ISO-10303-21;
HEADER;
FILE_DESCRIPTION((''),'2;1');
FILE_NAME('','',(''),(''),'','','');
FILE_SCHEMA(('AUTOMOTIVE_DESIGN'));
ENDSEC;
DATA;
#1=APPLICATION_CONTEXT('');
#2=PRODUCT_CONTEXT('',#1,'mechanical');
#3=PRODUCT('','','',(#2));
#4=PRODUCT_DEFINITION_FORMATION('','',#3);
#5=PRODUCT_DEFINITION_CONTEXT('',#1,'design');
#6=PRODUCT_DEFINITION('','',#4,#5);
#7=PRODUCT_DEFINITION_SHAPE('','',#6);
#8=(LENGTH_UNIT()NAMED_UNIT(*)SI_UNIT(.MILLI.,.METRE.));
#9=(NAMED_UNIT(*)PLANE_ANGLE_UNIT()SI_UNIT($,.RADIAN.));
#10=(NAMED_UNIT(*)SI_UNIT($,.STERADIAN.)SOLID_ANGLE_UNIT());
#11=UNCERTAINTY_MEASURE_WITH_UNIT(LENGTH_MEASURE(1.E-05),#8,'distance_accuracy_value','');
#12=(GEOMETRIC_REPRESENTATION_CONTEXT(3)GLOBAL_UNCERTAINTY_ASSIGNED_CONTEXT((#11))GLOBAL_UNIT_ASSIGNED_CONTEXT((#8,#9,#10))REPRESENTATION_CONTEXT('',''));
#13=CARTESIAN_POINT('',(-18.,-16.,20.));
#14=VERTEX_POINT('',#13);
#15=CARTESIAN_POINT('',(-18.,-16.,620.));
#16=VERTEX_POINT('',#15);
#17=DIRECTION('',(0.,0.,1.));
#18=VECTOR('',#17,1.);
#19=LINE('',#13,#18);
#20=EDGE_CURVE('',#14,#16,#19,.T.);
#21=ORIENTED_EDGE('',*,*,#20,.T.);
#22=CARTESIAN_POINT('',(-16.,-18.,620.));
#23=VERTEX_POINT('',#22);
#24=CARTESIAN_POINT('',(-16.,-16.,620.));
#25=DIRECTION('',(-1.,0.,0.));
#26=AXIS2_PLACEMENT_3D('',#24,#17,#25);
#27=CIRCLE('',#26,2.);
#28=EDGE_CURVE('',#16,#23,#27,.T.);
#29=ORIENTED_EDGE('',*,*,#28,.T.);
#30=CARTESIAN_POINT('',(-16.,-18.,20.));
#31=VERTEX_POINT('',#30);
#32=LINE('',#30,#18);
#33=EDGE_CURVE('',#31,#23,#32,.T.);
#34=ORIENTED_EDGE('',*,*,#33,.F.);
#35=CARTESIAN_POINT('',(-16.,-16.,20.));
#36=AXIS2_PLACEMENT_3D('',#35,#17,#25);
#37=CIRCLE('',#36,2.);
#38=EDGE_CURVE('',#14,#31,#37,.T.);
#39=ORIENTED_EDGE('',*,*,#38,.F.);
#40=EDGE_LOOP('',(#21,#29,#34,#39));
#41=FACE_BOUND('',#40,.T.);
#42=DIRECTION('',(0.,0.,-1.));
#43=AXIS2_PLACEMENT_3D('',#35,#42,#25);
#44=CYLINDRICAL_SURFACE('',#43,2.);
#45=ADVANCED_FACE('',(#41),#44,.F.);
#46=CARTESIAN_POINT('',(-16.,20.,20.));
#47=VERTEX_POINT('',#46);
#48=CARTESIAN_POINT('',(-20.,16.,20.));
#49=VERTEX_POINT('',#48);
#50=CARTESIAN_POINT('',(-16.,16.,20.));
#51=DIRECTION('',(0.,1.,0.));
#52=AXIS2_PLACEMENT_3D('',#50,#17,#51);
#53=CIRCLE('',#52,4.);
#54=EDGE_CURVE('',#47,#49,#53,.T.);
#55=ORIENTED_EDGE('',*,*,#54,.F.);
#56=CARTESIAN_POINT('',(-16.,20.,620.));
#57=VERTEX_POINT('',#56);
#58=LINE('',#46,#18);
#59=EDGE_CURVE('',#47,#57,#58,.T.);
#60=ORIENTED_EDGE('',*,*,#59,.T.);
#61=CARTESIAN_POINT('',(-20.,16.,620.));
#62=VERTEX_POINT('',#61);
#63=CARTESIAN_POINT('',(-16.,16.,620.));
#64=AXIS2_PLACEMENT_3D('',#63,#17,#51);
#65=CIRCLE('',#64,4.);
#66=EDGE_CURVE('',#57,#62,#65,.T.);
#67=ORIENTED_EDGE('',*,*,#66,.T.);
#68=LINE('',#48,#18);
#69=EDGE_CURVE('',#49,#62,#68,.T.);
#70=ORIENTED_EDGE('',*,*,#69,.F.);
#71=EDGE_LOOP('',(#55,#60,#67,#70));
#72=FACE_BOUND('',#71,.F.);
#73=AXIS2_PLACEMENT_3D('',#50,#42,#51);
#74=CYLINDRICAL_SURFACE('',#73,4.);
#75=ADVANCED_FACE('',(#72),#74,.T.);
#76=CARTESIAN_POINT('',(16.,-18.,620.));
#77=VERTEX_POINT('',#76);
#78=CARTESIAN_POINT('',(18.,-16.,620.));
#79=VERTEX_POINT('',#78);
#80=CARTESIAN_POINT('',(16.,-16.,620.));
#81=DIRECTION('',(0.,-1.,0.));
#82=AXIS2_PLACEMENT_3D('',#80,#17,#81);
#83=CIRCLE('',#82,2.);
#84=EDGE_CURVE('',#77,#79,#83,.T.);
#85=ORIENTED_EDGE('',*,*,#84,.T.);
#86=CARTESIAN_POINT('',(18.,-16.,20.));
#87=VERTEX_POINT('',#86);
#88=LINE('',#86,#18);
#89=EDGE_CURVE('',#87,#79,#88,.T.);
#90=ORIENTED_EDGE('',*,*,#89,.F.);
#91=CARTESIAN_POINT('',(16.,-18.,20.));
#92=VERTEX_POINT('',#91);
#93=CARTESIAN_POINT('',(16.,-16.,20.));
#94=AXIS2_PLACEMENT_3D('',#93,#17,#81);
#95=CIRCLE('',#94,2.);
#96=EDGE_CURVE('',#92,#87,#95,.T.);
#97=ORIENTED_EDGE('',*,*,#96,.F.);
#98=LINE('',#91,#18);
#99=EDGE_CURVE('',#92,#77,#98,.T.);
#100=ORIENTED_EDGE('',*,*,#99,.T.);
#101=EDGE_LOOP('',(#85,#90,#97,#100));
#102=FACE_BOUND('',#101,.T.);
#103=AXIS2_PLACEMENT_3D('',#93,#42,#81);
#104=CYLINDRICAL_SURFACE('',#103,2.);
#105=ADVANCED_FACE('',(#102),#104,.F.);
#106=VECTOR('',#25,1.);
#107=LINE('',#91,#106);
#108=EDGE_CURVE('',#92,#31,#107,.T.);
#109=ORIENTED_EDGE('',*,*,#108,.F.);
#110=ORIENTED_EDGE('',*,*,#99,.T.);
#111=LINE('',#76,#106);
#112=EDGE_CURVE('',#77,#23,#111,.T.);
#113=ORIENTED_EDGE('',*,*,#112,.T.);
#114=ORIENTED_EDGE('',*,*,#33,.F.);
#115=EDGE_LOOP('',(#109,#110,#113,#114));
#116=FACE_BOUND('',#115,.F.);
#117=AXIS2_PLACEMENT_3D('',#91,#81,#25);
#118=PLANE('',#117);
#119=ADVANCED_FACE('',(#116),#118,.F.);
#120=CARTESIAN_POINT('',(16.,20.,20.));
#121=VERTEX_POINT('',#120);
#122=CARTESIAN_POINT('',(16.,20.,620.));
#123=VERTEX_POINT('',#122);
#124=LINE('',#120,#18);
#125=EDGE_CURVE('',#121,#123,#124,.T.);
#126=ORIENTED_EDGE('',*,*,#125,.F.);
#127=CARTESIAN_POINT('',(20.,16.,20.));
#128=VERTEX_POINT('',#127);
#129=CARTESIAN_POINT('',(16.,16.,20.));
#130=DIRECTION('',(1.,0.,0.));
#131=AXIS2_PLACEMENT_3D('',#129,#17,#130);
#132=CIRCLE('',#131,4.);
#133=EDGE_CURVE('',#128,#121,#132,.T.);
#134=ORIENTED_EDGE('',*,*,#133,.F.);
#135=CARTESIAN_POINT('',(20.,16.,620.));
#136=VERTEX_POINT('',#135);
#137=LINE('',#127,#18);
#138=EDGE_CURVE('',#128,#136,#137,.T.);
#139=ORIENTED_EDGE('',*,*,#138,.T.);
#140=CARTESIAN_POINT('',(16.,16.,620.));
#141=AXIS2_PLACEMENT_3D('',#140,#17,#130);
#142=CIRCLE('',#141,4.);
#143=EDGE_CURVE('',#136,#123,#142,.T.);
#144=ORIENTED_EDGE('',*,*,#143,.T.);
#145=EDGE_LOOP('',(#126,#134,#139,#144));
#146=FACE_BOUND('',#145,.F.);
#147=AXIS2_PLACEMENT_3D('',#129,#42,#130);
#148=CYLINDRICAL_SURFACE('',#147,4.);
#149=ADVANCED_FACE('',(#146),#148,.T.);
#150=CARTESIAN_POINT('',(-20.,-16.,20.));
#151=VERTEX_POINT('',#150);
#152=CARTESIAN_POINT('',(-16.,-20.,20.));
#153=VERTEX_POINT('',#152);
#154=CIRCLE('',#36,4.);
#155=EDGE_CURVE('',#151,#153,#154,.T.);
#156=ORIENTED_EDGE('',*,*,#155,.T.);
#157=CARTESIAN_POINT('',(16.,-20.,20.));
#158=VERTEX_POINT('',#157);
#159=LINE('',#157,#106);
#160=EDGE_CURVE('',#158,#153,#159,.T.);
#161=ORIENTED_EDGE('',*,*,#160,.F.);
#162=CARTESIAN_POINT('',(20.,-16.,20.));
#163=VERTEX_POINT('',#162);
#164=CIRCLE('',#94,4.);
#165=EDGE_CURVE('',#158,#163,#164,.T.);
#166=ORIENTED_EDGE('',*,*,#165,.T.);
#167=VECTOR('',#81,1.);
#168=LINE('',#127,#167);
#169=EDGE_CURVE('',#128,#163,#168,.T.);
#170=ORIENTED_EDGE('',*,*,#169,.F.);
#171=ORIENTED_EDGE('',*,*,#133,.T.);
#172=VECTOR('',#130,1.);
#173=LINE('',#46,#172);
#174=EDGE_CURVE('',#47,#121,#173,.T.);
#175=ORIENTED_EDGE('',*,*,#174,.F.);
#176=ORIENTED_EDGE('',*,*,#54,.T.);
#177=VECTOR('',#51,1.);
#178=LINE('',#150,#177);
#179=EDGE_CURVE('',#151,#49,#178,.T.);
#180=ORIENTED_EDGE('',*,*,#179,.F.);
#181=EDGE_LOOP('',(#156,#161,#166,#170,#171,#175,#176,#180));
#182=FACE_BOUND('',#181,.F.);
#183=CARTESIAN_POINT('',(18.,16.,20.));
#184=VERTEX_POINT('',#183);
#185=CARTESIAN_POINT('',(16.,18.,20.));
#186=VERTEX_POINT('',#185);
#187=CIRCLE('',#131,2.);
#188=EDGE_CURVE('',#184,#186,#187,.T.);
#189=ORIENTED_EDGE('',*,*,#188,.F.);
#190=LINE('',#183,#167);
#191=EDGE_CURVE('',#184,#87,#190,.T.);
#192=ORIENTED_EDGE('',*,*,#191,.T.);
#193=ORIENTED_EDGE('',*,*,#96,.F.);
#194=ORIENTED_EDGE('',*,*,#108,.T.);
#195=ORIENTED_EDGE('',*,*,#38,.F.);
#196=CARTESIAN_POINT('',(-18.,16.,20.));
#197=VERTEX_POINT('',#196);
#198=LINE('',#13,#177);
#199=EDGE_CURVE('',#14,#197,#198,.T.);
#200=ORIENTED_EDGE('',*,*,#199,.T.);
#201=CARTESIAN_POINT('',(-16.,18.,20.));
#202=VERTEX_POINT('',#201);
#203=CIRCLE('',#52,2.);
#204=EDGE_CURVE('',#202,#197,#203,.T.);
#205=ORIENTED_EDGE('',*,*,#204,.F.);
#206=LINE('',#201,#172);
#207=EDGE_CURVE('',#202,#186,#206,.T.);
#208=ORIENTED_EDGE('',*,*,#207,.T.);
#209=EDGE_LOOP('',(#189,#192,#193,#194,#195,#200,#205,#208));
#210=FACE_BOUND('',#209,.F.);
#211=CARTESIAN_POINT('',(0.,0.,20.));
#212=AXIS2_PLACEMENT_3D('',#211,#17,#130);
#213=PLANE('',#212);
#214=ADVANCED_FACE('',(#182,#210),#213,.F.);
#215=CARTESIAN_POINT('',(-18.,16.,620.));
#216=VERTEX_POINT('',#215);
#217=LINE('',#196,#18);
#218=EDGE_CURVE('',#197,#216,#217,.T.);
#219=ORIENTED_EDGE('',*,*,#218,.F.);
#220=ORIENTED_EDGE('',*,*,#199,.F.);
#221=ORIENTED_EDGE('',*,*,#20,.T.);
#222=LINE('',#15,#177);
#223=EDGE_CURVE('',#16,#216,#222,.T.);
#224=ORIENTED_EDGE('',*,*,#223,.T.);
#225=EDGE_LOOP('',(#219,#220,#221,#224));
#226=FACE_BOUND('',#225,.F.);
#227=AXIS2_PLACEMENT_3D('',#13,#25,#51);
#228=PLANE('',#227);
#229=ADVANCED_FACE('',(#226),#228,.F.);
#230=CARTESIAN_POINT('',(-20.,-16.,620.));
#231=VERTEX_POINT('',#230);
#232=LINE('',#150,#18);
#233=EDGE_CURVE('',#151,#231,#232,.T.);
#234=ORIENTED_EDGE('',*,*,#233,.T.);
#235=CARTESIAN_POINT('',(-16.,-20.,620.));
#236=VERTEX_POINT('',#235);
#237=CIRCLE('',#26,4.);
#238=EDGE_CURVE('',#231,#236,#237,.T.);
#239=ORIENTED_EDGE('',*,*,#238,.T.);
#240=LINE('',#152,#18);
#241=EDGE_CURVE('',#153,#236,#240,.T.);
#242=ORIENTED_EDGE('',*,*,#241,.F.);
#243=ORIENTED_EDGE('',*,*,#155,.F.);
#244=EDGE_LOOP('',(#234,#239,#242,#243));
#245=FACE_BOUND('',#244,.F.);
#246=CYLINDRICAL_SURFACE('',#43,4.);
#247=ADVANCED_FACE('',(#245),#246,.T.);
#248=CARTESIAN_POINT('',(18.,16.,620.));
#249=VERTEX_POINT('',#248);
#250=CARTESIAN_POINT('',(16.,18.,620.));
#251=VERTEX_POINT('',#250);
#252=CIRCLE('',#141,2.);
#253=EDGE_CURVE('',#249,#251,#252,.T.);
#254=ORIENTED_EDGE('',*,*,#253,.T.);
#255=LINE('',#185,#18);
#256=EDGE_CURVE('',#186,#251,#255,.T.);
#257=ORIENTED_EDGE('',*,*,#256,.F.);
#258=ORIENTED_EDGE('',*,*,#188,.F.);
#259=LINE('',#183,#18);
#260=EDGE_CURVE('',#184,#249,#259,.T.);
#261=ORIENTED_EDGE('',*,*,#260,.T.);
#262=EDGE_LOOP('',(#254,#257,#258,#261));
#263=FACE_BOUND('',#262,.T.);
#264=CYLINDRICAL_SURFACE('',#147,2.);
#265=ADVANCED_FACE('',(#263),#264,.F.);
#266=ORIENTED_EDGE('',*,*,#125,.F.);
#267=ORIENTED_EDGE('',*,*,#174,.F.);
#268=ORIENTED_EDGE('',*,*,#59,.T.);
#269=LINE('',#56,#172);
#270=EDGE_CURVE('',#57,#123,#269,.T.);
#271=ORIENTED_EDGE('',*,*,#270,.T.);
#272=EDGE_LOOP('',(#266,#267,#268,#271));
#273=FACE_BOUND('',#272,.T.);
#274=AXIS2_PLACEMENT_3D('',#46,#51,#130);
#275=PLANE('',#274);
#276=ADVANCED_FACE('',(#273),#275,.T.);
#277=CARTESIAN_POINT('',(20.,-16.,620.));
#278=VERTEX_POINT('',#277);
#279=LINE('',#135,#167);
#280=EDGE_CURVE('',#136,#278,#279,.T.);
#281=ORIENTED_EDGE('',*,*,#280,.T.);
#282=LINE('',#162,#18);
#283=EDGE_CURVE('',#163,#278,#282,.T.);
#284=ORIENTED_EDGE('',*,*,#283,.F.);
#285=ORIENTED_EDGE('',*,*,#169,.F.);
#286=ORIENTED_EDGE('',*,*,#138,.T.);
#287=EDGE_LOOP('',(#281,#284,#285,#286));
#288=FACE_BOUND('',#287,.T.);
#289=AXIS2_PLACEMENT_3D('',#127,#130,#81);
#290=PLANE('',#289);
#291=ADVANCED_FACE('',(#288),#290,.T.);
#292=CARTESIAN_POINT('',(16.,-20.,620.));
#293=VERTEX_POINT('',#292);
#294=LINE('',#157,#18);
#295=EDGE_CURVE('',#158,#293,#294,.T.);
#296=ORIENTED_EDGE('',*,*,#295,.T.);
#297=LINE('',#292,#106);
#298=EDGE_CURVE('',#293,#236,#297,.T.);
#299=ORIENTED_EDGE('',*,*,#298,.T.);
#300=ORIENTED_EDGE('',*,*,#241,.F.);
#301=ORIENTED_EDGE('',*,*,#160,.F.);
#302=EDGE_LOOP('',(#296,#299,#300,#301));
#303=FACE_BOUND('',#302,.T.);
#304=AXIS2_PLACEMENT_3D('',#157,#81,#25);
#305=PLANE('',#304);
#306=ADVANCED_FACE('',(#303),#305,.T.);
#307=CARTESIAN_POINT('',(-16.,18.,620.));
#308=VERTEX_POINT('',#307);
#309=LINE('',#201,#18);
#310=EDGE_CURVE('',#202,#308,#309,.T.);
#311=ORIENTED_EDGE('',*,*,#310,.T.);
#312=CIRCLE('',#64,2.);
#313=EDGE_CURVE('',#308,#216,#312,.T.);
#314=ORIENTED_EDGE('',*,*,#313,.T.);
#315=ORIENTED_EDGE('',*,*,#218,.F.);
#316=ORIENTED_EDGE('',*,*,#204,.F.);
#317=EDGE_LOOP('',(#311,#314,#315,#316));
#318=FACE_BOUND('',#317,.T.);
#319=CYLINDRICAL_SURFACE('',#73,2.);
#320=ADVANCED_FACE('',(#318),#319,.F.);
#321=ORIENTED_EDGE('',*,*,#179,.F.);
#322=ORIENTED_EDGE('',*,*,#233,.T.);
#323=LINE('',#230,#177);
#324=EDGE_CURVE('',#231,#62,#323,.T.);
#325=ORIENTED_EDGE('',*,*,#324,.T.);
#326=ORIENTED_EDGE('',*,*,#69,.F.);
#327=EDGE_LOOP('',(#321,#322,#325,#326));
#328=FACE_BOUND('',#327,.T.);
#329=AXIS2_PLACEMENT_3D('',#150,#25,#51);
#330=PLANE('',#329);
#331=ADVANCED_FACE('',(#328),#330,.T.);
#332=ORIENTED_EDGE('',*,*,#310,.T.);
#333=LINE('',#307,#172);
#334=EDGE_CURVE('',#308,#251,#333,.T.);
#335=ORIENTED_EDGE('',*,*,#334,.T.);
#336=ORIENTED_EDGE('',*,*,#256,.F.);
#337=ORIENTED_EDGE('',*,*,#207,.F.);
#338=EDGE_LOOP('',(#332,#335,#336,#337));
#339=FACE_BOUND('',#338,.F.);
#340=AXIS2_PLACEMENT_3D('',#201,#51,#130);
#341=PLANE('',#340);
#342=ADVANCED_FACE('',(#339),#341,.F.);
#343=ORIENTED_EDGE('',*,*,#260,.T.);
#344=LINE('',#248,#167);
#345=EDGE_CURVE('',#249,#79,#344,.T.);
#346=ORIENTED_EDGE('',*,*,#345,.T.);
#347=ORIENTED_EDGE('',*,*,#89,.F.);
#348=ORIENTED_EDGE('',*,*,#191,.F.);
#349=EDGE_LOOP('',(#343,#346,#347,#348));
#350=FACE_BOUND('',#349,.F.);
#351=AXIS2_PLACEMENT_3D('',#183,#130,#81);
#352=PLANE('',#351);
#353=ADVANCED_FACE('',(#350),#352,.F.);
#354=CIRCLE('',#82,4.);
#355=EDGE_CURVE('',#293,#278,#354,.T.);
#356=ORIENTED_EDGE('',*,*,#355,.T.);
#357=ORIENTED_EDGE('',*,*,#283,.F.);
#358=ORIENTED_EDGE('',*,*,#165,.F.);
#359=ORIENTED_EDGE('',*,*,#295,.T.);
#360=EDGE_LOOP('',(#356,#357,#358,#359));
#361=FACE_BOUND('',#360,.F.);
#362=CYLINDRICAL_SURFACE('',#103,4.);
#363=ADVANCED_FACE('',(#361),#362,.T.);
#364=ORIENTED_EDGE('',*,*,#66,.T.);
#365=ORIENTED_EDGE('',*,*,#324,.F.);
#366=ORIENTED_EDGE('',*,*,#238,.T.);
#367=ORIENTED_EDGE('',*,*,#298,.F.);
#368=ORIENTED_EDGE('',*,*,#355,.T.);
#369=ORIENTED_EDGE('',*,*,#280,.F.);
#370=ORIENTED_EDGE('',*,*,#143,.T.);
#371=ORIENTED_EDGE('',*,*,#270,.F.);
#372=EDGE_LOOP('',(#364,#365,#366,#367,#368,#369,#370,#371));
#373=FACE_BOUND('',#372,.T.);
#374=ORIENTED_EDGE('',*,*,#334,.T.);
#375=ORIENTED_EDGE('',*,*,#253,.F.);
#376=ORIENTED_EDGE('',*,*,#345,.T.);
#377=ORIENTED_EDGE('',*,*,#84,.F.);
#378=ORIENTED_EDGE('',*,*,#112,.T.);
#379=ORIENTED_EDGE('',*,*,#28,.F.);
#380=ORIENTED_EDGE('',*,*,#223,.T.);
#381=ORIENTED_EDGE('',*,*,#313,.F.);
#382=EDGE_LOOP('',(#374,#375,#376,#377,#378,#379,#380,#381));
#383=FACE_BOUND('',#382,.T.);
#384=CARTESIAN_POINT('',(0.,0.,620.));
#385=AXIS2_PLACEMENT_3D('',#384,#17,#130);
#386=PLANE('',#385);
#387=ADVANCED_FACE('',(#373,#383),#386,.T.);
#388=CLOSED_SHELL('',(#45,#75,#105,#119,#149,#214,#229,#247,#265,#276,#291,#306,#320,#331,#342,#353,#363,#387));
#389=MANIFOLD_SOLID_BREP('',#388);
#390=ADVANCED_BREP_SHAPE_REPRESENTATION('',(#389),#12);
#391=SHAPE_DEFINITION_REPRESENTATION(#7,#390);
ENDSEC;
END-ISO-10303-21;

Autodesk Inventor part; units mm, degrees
ref_plane "YZ Plane" through (0, 0, 0) normal (1, 0, 0) x (0, 1, 0)
ref_plane "Start Plane" through (0, 0, 20) normal (0, 0, 1) x (1, 0, 0)
ref_plane "End Plane" through (0, 0, 620) normal (0, 0, 1) x (1, 0, 0)
sketch "Sketch" plane through (0, 0, 0) normal (0, 0, 1) x (1, 0, 0)
  line L0 (-20, -16) -> (-20, 16)
  line L1 (-16, 20) -> (16, 20)
  line L2 (20, 16) -> (20, -16)
  line L3 (16, -20) -> (-16, -20)
  arc A0 (-20, -16) -> (-16, -20) centre (-16, -16) ccw
  arc A1 (20, 16) -> (16, 20) centre (16, 16) ccw
  arc A2 (-16, 20) -> (-20, 16) centre (-16, 16) ccw
  arc A3 (16, -20) -> (20, -16) centre (16, -16) ccw
  arc A4 (-16, 18) -> (-18, 16) centre (-16, 16) ccw
  line L4 (-16, 18) -> (16, 18)
  arc A5 (18, 16) -> (16, 18) centre (16, 16) ccw
  line L5 (18, 16) -> (18, -16)
  arc A6 (16, -18) -> (18, -16) centre (16, -16) ccw
  line L6 (16, -18) -> (-16, -18)
  arc A7 (-18, -16) -> (-16, -18) centre (-16, -16) ccw
  line L7 (-18, -16) -> (-18, 16)
  line L8 (0, 29.1598) -> (0, -29.1598) construction
  line L9 (-29.1598, 0) -> (29.1598, 0) construction
  dimension "d7" = 4
  dimension "d9" = 40
  dimension "d11" = 40
  dimension "d12" = 2
  dimension "d15" = 20
  dimension "d16" = 20
extrude "Body" add sketch "Sketch" along normal up to surface (600 mm away) from surface at 20
sketch "Sketch3" plane through (0, 0, 0) normal (0, 0, 1) x (1, 0, 0)
  line L0 (0, 0) -> (10, 0)
ref_plane "Work Plane3" through (0, 0, 0) normal (0, -1, 0) x (1, 0, 0)
sketch "Sketch4" plane through (0, 0, 0) normal (0, -1, 0) x (1, 0, 0)
  line L0 (-2, 20) -> (12, 20) projected
  line L1 (-2, 620) -> (12, 620) projected
  dimension "d18" = 600
equation "\"d7\" = G_IR"
equation "\"d9\" = G_W"
equation "\"d11\" = G_H"
equation "\"d12\" = G_T"
equation "\"d15\" = 0.5 * d9"
equation "\"d16\" = 0.5 * d11"
equation "\"d3\" = G_L"
equation "\"G_W\" = 40"
equation "\"G_H\" = 40"
equation "\"G_T\" = 2"
equation "\"G_IR\" = 4"
equation "\"G_L\" = d18"
properties part number "ISO 4019 - 40x40x2 - 600" material "Steel, Mild"
